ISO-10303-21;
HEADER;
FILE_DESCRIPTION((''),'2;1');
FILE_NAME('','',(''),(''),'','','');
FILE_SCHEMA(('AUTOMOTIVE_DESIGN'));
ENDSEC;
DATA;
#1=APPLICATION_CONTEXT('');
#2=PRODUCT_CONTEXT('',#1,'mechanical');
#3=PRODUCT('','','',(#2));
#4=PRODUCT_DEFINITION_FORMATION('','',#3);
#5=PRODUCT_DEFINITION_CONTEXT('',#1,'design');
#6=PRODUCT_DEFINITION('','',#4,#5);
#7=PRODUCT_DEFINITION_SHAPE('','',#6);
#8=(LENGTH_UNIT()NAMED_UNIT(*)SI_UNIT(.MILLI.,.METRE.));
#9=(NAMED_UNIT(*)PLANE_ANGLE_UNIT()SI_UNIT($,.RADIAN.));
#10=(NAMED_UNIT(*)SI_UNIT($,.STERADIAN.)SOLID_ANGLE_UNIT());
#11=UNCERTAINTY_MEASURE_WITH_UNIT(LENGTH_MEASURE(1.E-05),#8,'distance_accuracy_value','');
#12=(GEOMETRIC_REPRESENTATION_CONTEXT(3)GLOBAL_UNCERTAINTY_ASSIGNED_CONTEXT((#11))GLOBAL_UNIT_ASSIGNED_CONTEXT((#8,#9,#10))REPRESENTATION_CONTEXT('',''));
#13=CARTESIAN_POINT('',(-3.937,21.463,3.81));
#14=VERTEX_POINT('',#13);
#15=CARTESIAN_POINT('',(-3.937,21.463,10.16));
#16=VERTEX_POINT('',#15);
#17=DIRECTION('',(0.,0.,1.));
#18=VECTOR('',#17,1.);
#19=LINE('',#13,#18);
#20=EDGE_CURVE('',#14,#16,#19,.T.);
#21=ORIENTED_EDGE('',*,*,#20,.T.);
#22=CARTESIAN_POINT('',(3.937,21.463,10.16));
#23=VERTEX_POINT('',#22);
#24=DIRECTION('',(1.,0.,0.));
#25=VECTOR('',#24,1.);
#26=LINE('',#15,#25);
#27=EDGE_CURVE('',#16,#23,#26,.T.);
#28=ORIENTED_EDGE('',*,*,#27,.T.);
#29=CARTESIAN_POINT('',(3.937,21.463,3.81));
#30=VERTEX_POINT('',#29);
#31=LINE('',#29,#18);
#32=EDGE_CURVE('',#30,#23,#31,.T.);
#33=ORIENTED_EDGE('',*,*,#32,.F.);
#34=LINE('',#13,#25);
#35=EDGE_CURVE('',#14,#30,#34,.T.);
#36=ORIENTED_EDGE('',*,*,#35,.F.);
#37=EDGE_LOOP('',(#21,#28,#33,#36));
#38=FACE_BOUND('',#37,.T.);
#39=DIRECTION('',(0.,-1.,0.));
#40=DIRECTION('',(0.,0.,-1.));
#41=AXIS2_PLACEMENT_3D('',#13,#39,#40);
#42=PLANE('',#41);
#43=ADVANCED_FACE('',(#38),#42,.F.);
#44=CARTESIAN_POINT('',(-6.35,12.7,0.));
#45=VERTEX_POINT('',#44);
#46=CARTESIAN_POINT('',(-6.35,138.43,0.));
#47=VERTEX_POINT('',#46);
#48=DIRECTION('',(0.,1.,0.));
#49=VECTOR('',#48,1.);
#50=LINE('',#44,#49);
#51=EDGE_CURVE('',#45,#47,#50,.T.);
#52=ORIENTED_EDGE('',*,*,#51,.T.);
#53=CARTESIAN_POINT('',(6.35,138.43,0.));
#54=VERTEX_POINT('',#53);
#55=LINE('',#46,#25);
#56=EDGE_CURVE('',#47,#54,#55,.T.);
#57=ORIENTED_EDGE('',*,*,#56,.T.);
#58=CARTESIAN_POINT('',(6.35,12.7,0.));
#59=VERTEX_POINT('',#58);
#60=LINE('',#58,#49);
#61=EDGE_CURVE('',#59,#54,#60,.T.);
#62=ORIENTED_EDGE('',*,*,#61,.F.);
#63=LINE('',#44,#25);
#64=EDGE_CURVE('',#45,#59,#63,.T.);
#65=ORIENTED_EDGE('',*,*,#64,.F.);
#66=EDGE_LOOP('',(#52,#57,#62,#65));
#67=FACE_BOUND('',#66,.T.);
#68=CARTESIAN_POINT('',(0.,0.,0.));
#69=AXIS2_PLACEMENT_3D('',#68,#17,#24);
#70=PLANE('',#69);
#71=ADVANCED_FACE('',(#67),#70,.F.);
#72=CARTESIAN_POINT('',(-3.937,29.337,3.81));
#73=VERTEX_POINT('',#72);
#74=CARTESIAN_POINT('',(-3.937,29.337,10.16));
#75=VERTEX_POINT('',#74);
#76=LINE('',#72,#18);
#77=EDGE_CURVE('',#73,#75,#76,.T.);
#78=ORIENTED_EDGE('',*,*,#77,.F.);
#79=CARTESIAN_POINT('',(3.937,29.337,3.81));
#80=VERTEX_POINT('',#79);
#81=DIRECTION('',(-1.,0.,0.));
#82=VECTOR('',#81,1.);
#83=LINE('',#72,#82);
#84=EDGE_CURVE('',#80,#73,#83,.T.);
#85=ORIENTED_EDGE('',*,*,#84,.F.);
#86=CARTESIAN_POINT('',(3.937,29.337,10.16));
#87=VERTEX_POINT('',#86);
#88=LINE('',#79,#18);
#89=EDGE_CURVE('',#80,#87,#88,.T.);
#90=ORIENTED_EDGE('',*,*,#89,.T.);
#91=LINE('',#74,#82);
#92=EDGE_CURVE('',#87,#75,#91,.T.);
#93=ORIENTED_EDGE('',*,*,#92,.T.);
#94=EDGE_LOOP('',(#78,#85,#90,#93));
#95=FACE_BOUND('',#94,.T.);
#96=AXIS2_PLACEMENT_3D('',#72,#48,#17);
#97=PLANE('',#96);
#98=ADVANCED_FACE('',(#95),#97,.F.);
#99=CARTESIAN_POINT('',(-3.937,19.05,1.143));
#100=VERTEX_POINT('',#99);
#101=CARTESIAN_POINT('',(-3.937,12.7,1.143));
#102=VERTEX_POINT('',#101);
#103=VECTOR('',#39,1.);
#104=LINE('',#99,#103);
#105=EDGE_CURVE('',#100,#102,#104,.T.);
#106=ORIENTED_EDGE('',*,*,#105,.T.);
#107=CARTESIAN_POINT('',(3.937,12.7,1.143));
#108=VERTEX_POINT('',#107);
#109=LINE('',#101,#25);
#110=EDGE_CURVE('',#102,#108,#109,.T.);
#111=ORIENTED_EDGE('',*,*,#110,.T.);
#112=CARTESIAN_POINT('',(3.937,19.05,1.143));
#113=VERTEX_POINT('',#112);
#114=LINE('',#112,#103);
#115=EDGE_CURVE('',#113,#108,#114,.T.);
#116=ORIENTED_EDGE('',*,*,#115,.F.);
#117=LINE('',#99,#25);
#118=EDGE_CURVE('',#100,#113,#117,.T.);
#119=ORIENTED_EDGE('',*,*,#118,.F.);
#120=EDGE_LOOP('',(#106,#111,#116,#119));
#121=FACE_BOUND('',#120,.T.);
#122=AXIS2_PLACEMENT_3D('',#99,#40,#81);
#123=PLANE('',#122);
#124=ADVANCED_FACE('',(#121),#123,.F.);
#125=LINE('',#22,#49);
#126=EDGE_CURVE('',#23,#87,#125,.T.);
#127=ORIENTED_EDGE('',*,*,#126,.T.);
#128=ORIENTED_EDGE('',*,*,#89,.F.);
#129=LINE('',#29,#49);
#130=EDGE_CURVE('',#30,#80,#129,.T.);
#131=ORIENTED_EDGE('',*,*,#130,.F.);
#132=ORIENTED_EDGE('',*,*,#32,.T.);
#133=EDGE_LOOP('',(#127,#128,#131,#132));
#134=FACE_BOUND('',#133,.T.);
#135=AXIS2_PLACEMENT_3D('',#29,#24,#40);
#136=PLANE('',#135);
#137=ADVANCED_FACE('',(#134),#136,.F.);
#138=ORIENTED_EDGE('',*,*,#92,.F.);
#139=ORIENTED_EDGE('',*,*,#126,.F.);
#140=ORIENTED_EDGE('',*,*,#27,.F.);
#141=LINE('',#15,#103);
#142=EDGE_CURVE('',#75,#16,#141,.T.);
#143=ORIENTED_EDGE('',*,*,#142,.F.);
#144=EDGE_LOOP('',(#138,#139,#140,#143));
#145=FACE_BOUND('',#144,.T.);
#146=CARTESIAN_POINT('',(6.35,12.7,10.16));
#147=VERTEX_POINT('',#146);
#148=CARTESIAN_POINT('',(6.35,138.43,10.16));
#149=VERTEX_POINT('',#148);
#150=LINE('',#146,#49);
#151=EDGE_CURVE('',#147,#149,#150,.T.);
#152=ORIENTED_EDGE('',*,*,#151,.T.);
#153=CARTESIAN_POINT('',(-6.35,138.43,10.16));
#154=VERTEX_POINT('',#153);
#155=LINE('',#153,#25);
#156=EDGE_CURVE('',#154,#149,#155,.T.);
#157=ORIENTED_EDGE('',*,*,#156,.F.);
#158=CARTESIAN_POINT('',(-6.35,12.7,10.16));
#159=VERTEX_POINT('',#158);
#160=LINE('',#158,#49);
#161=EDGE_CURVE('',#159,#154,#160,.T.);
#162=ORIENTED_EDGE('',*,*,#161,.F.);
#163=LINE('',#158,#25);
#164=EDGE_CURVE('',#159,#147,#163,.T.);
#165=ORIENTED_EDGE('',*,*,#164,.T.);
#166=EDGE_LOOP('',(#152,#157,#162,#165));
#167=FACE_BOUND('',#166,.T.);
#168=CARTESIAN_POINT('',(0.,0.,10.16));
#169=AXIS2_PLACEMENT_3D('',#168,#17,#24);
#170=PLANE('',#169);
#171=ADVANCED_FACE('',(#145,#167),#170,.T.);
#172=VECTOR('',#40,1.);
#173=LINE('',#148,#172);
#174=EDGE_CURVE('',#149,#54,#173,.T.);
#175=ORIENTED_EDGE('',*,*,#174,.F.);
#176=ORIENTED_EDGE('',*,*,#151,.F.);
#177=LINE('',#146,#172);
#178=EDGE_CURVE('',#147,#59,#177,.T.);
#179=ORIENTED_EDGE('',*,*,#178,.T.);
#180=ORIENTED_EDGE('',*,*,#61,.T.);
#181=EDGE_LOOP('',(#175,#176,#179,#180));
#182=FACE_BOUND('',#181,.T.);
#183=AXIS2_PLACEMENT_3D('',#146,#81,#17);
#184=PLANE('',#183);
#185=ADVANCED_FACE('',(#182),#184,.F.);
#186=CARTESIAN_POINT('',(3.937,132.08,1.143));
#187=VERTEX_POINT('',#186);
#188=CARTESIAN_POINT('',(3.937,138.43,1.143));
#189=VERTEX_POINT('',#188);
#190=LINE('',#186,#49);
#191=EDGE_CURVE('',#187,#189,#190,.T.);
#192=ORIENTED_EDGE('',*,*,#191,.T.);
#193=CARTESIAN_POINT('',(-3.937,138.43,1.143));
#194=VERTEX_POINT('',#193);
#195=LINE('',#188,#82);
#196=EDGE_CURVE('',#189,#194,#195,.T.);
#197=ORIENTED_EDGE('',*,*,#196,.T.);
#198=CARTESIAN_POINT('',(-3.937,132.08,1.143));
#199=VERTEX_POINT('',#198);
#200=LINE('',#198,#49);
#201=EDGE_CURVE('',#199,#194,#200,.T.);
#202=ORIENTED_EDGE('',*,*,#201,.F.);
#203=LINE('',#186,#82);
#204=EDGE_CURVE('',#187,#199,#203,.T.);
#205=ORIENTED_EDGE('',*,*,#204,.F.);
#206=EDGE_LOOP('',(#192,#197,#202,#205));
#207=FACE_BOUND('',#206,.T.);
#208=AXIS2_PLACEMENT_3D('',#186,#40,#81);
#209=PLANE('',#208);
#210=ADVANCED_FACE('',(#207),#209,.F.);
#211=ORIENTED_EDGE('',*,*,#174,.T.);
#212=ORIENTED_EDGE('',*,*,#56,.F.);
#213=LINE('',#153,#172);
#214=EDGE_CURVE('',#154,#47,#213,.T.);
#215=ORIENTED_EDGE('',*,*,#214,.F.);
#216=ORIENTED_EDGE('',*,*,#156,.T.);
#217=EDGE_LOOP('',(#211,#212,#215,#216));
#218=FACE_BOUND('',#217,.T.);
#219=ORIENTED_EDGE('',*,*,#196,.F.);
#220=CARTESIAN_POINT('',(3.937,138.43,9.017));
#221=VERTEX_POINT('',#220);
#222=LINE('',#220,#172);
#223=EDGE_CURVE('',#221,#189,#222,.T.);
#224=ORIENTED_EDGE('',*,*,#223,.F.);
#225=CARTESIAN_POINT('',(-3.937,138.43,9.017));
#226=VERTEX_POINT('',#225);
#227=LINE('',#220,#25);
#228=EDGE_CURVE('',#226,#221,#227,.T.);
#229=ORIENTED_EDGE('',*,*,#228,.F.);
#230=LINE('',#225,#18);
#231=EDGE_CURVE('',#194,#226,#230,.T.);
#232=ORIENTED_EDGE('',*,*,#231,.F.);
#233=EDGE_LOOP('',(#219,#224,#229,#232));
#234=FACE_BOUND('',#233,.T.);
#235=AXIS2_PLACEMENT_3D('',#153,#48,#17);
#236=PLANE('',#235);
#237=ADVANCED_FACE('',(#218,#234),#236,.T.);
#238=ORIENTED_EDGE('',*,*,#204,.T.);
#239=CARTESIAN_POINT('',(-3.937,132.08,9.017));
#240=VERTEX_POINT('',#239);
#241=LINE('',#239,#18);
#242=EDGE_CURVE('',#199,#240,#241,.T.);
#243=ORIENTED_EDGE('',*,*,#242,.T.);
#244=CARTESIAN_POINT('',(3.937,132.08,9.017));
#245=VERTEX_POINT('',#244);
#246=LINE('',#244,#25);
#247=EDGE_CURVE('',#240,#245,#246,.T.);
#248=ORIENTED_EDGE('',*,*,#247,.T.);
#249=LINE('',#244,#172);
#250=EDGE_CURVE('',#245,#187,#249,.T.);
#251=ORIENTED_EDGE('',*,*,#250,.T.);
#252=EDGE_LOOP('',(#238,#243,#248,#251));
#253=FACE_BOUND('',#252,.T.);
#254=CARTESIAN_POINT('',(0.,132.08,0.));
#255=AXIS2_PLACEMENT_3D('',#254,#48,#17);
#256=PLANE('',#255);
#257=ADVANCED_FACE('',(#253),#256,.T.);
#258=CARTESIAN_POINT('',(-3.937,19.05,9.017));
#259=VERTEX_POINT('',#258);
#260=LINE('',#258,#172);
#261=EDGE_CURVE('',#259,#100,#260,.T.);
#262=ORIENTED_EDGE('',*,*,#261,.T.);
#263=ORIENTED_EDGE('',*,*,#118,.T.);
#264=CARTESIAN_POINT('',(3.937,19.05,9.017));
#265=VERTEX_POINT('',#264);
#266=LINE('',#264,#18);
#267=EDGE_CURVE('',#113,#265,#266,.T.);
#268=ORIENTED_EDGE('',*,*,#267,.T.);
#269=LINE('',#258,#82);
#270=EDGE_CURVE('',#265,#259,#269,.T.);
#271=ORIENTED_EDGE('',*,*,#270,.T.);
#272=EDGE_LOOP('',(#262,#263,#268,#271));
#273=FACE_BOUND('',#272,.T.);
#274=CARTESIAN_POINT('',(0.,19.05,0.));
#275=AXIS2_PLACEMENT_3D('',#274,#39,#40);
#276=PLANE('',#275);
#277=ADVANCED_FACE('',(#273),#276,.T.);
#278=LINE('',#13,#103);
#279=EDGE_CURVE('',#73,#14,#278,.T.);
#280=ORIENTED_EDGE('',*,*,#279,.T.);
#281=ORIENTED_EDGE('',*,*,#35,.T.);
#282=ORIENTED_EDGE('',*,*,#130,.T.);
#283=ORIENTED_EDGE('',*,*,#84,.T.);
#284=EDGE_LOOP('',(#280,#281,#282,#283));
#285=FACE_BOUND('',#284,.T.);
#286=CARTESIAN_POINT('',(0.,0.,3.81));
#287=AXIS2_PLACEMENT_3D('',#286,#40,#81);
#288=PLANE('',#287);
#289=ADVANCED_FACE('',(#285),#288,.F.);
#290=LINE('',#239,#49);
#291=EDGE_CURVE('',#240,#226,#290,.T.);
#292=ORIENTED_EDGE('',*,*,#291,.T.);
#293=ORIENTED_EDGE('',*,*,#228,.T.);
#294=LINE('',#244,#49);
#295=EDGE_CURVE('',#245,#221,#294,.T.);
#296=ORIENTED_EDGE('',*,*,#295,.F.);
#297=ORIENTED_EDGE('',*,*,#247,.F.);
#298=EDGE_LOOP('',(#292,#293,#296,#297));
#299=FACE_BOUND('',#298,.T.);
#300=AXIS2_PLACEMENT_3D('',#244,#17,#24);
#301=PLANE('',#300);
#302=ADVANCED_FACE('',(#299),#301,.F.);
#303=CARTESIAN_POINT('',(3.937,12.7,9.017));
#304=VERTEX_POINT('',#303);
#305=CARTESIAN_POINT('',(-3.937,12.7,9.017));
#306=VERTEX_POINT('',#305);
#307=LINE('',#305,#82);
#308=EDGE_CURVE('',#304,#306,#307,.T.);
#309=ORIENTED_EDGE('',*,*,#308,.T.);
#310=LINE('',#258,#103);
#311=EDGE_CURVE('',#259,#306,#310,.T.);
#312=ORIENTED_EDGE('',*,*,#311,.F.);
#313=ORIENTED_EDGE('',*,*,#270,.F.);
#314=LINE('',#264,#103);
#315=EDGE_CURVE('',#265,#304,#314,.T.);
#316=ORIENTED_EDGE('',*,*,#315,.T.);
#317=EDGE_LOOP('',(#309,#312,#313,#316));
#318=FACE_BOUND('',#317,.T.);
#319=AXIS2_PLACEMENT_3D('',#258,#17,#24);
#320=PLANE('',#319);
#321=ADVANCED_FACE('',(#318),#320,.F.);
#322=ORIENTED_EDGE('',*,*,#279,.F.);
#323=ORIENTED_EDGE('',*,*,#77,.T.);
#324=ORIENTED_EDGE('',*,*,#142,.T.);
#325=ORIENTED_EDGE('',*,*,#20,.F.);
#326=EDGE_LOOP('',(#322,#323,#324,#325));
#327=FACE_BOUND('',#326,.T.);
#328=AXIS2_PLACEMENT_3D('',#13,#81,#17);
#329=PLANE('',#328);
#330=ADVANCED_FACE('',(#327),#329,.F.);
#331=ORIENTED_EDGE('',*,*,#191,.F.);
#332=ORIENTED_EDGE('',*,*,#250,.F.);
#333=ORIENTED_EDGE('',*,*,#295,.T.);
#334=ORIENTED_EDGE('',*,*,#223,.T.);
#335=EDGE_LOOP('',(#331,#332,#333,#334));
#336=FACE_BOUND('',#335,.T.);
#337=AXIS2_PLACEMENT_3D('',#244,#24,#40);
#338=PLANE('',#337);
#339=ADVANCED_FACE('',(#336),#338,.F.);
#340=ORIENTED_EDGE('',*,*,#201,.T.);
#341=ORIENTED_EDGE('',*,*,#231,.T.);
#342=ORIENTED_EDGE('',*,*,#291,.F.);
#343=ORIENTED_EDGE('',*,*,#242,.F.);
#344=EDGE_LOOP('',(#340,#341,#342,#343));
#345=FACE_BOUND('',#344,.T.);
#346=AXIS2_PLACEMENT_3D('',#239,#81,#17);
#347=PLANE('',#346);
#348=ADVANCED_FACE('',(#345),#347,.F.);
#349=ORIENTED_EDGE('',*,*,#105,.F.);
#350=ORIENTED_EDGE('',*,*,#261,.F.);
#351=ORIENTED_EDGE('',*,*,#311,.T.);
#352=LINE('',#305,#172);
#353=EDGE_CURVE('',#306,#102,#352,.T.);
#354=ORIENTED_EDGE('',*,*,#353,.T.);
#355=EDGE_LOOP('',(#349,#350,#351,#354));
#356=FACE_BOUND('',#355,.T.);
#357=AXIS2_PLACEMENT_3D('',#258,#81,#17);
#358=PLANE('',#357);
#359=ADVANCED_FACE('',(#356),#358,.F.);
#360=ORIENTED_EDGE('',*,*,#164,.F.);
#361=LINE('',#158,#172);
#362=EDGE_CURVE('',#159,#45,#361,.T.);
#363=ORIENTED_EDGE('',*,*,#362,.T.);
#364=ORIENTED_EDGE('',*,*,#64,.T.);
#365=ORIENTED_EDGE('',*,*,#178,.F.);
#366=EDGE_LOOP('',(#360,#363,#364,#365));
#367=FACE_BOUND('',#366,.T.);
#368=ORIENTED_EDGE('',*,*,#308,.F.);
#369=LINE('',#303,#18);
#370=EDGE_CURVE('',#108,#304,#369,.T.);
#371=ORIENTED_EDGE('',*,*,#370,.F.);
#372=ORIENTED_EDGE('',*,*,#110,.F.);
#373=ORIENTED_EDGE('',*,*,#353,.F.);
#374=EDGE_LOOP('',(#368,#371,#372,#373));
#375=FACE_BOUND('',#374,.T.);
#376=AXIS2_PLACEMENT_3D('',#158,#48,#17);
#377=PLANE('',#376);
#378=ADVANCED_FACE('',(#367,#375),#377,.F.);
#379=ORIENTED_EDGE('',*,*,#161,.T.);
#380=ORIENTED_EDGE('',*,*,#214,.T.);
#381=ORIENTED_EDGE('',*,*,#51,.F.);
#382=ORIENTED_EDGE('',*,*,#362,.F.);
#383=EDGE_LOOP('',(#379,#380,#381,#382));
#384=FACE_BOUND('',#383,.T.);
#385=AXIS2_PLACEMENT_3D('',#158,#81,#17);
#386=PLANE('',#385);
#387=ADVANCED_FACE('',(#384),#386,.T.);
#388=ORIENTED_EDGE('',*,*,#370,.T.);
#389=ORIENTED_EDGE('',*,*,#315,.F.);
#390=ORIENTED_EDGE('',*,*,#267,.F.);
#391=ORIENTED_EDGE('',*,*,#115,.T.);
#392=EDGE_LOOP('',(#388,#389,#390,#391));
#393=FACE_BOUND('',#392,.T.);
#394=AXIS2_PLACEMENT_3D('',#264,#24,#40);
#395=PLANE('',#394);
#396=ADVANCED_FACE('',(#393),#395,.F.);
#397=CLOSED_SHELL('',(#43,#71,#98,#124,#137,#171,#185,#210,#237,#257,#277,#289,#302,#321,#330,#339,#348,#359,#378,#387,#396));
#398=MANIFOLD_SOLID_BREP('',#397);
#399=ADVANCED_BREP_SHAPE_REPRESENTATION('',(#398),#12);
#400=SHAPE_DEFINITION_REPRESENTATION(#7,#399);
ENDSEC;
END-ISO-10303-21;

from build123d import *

# Parameters (mm, degrees)
SKETCH1_W           = 12.7
SKETCH1_H           = 125.73
BOSS_EXTRUDE1_DEPTH = 10.16
SKETCH4_W           = 7.874
SKETCH4_H           = 7.874
CUT_EXTRUDE2_DEPTH  = 6.35
SKETCH6_W           = 7.874
SKETCH6_H           = 7.874
CUT_EXTRUDE4_DEPTH  = 6.35
SKETCH8_W           = 7.874
SKETCH8_H           = 7.874
CUT_EXTRUDE5_DEPTH  = 6.35


with BuildPart() as part:
    # Sketch1 → Boss-Extrude1 (new body)
    with BuildSketch(Plane.XY):
        with Locations((0, 75.565)):
            Rectangle(SKETCH1_W, SKETCH1_H)
    extrude(amount=BOSS_EXTRUDE1_DEPTH)

    # Sketch4 → Cut-Extrude2 (cut)
    with BuildSketch(Plane(origin=(0, 138.43, 0), x_dir=(1, 0, 0), z_dir=(0, 1, 0))):
        with Locations((0, -5.08)):
            Rectangle(SKETCH4_W, SKETCH4_H)
    extrude(amount=-CUT_EXTRUDE2_DEPTH, mode=Mode.SUBTRACT)

    # Sketch6 → Cut-Extrude4 (cut)
    with BuildSketch(Plane.XY.offset(10.16)):
        with Locations((0, 25.4)):
            Rectangle(SKETCH6_W, SKETCH6_H)
    extrude(amount=-CUT_EXTRUDE4_DEPTH, mode=Mode.SUBTRACT)

    # Sketch8 → Cut-Extrude5 (cut)
    with BuildSketch(Plane.XZ.offset(-12.7)):
        with Locations((0, 5.08)):
            Rectangle(SKETCH8_W, SKETCH8_H)
    extrude(amount=-CUT_EXTRUDE5_DEPTH, mode=Mode.SUBTRACT)


solid = part.part
